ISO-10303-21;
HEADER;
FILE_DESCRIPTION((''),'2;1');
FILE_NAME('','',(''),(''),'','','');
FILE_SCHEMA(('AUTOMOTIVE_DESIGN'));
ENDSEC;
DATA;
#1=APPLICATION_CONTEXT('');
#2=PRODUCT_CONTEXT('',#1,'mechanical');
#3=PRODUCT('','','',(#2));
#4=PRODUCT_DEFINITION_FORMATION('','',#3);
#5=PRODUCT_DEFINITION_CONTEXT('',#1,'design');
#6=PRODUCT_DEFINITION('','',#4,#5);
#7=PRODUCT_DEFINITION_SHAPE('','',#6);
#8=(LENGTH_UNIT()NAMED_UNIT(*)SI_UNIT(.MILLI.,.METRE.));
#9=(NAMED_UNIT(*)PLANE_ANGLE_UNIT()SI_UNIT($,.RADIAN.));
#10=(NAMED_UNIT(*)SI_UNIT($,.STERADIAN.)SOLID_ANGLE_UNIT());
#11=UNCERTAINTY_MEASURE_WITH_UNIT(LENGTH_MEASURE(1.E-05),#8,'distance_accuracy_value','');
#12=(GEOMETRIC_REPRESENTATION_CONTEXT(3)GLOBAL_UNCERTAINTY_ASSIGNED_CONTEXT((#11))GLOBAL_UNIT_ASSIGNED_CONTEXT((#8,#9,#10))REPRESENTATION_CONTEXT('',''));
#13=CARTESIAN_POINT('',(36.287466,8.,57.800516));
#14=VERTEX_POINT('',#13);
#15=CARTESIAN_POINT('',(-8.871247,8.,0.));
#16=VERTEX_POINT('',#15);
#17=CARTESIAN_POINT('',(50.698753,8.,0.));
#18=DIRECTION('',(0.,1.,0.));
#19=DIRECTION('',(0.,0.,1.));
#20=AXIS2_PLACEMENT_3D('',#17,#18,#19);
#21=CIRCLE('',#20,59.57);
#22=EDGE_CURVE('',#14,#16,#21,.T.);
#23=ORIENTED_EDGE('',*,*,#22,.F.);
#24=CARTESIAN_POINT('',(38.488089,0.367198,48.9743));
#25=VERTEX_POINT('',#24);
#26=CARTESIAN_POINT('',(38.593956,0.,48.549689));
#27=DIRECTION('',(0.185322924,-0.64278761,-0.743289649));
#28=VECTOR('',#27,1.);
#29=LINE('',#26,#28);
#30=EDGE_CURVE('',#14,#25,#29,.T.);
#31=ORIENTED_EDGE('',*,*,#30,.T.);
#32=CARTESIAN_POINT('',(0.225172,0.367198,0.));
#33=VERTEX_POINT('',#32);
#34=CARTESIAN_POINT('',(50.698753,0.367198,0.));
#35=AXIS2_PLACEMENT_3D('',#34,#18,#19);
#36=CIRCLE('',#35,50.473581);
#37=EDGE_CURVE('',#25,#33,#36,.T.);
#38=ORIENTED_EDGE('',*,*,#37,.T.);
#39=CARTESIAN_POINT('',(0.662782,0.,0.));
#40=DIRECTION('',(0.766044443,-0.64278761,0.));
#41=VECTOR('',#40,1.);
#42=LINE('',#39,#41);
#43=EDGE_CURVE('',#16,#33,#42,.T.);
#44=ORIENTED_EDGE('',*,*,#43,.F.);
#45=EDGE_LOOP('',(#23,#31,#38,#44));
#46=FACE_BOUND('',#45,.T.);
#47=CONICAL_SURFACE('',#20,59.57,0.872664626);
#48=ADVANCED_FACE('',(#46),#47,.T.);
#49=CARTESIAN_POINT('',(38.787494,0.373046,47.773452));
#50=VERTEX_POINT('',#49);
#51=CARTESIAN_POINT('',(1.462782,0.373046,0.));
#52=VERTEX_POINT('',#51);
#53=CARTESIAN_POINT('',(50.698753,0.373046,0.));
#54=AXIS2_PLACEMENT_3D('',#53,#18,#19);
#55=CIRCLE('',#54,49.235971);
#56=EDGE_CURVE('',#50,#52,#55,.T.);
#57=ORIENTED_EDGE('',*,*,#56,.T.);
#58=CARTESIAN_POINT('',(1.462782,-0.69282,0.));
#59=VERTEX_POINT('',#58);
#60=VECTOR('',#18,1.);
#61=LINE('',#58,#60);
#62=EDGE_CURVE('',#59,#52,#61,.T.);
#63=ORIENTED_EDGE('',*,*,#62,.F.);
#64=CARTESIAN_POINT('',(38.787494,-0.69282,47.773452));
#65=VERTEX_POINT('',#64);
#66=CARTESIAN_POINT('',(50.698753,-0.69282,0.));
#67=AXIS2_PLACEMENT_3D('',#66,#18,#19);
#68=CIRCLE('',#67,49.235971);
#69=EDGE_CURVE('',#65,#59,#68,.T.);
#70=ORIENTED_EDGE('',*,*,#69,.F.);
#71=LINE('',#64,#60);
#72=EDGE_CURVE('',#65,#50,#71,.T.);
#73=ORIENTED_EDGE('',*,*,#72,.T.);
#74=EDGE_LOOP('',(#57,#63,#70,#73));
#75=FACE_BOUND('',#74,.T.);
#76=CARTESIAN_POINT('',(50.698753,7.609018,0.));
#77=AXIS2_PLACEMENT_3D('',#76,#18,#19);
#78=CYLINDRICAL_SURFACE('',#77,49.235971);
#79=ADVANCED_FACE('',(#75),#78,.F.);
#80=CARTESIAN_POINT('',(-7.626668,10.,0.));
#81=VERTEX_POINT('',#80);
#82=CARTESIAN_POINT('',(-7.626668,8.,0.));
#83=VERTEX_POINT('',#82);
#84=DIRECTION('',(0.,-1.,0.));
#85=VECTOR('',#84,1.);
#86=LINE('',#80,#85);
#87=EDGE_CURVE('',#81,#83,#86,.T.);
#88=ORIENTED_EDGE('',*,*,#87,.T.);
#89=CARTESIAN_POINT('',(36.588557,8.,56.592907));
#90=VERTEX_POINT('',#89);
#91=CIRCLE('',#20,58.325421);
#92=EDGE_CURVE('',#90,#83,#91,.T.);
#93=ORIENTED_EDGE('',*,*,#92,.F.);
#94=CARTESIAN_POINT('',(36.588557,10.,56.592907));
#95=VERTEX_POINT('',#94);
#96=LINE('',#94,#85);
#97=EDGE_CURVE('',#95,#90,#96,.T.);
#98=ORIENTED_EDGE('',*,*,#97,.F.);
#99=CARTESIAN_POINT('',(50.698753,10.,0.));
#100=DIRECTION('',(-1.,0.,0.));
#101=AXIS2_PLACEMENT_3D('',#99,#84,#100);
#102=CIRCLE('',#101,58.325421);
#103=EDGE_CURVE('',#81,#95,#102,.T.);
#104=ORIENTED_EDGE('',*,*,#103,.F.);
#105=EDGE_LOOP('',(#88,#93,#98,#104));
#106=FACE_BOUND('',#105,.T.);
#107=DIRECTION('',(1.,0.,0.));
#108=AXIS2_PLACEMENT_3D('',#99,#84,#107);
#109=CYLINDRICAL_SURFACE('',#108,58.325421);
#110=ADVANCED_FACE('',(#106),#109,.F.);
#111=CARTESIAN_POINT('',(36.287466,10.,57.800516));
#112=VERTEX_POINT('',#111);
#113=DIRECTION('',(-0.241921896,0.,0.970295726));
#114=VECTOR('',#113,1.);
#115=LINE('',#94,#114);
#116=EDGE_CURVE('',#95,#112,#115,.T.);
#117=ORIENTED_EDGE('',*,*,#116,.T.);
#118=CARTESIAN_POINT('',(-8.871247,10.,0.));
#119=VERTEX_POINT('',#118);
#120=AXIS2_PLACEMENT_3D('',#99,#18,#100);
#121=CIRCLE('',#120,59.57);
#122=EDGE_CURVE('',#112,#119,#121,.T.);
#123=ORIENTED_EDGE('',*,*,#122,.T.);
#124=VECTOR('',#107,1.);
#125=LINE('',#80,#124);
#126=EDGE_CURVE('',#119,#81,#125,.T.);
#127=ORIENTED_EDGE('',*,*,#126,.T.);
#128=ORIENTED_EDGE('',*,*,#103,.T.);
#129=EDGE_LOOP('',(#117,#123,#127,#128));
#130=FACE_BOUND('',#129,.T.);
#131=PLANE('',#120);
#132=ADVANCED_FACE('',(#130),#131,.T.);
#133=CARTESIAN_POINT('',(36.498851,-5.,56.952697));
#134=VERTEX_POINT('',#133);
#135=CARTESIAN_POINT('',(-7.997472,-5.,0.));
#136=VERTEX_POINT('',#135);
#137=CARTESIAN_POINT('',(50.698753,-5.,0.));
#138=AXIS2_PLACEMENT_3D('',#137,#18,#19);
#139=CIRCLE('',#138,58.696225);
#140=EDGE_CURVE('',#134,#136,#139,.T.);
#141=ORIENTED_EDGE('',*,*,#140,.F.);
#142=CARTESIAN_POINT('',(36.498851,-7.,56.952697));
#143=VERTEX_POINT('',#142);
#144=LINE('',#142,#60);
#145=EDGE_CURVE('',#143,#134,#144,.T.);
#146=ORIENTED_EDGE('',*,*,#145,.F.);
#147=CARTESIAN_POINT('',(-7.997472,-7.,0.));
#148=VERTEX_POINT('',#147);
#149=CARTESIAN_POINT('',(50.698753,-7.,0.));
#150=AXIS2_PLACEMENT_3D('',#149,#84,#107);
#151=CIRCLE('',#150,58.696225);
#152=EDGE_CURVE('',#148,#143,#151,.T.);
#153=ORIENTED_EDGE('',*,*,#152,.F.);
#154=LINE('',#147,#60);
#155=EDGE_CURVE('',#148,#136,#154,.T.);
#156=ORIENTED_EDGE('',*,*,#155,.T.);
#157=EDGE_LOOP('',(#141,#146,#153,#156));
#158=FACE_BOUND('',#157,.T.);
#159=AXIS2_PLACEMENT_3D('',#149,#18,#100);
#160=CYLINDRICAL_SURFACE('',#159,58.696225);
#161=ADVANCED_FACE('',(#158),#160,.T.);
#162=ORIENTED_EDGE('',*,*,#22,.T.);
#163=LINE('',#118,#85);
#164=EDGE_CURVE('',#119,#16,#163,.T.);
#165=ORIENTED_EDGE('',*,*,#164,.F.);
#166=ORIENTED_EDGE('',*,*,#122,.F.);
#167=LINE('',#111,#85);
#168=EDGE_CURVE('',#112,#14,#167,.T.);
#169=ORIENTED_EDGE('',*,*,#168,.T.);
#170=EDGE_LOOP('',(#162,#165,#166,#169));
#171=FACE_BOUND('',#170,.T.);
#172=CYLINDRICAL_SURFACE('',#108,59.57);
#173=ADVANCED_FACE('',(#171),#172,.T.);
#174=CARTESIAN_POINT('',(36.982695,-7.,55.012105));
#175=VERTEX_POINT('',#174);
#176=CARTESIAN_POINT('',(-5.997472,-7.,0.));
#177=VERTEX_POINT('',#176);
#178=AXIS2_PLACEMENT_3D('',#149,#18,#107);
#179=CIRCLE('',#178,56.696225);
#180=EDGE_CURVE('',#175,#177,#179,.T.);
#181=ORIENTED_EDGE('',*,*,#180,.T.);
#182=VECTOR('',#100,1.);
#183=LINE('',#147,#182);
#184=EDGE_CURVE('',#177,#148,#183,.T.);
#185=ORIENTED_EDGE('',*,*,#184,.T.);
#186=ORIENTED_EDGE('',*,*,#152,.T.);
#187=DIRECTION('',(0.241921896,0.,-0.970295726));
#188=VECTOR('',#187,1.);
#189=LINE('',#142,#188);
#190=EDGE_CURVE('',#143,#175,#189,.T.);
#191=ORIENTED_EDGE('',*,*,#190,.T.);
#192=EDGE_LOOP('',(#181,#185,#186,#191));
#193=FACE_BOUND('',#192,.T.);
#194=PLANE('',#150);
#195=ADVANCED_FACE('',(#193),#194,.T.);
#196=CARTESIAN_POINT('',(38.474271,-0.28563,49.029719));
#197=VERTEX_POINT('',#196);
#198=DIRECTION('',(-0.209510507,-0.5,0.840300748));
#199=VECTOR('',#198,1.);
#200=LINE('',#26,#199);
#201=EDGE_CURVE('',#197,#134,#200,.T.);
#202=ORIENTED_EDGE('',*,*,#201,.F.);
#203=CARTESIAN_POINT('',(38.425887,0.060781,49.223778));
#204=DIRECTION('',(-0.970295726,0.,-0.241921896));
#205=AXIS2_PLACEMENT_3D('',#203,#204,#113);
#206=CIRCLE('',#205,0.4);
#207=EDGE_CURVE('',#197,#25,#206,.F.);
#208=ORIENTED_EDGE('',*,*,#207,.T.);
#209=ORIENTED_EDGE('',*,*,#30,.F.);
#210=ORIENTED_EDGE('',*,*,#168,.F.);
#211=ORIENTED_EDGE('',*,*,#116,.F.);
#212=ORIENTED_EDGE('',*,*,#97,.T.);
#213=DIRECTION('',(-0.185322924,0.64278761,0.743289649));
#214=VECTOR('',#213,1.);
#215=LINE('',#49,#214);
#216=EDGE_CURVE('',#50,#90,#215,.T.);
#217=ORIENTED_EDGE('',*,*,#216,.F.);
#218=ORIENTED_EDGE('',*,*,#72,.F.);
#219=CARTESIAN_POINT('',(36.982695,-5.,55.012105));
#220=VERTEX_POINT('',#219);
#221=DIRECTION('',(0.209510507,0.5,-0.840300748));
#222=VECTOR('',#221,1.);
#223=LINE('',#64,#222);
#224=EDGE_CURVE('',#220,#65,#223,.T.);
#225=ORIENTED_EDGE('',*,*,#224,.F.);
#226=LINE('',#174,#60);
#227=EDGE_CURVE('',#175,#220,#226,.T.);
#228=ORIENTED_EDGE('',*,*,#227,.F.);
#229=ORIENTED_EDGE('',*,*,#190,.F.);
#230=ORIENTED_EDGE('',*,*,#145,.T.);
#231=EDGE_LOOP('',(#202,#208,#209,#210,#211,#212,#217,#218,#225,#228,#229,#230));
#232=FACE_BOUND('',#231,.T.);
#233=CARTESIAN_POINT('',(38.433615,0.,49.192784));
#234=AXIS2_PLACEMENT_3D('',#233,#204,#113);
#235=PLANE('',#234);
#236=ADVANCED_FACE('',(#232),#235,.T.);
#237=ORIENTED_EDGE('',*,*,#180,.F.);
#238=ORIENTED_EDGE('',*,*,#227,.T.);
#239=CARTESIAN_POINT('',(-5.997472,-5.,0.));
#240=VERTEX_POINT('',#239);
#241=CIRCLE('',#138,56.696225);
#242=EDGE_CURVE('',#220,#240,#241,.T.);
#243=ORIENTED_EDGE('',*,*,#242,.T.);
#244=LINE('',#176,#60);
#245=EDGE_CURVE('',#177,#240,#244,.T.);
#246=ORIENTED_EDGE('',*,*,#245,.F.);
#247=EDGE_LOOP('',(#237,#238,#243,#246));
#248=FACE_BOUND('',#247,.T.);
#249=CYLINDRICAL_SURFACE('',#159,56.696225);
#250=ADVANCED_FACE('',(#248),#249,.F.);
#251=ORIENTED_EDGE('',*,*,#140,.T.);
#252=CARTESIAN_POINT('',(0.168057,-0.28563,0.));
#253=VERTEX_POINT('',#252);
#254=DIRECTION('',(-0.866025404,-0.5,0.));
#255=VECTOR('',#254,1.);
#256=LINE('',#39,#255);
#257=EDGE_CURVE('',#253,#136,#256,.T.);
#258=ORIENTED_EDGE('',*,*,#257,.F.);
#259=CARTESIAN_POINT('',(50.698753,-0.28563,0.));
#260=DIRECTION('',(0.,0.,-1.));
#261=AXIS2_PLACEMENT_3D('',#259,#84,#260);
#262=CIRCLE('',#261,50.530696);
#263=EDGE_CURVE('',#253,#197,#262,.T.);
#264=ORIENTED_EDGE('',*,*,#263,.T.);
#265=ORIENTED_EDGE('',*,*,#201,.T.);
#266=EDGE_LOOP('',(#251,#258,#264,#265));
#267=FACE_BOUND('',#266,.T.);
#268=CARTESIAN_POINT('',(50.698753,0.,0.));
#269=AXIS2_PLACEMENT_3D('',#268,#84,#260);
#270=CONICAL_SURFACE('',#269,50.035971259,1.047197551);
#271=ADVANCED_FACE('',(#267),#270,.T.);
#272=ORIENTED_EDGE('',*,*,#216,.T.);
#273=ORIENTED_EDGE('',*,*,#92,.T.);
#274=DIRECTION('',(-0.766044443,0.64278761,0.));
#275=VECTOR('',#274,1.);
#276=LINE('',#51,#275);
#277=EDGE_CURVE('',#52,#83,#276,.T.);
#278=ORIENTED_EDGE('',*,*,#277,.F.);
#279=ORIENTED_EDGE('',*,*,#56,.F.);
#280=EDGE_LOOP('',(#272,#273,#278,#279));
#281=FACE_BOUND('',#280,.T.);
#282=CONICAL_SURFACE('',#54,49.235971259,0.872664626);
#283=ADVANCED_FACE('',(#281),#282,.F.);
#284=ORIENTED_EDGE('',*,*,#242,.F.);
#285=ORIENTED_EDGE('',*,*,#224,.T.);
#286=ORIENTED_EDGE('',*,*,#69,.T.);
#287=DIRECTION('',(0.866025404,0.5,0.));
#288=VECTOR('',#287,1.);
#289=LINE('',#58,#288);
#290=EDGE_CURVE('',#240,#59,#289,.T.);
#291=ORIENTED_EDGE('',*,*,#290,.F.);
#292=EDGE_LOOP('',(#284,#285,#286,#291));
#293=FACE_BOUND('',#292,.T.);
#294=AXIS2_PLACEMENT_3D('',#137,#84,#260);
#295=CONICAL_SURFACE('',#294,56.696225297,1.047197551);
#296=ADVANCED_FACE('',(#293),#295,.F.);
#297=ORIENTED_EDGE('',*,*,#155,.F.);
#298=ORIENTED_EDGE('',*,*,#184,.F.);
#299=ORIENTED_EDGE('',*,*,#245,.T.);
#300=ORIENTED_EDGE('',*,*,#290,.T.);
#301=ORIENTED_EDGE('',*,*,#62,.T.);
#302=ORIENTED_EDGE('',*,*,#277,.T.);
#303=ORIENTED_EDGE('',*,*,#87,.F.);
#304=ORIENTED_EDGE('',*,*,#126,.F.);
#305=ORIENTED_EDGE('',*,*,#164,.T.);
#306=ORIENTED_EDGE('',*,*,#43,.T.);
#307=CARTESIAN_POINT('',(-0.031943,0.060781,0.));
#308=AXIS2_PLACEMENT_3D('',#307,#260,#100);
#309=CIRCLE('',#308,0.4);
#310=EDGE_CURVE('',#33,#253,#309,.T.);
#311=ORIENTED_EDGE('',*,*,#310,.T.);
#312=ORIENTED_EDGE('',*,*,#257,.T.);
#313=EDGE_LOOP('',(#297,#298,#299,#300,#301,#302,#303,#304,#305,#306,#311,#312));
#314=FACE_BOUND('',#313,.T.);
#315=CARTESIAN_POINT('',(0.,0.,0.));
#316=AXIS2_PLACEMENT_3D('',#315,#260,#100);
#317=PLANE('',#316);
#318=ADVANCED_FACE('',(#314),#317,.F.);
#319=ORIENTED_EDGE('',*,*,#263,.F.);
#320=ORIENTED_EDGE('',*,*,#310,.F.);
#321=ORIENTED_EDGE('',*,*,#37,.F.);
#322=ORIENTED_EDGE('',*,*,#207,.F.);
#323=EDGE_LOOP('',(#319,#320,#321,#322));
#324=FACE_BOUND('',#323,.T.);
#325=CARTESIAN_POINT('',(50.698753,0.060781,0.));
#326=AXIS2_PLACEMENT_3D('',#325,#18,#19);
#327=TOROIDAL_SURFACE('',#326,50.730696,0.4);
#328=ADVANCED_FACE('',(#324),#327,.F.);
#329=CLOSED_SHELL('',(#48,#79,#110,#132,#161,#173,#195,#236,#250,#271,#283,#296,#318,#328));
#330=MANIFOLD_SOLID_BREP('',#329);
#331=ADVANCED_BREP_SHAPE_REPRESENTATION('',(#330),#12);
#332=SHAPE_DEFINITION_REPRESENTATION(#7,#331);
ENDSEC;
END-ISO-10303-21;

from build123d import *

# Parameters (mm, degrees)
REVOLVE1_ANGLE      = 284
FILLET2_R           = 0.4
BOSS_EXTRUDE1_DEPTH = 2
BOSS_EXTRUDE2_DEPTH = 2


with BuildPart() as part:
    # Sketch1 → Revolve1 (revolve)
    with BuildSketch(Plane.XY):
        Polygon((0.662781953, 0), (-8.871246788, 8), (-7.626667727, 8), (1.462781953, 0.373046127), (1.462781953, -0.692820323), (-5.997472085, -5), (-7.997472085, -5), align=None)
    revolve(axis=Axis((50.698753212, 7.609018033, 0), (0, -1, 0)), revolution_arc=REVOLVE1_ANGLE)

    # Fillet2
    fillet2_edges = [part.edges().sort_by_distance(p)[0] for p in [
        (90.127636631, 0, -30.805219885),
    ]]
    fillet(fillet2_edges, radius=FILLET2_R)

    # Sketch2 → Boss-Extrude1 (add)
    with BuildSketch(Plane(origin=(0, 8, 0), x_dir=(1, 0, 0), z_dir=(0, 1, 0))):
        with BuildLine():
            Line((36.588556817, -56.59290667), (36.287465891, -57.800516414))
            ThreePointArc((36.287465891, -57.800516414), (97.640553804, 36.674954085), (-8.871246788, 0))
            Line((-8.871246788, 0), (-7.626667727, 0))
            ThreePointArc((-7.626667727, 0), (96.65981212, 35.908714704), (36.588556817, -56.59290667))
        make_face()
    extrude(amount=BOSS_EXTRUDE1_DEPTH)

    # Sketch3 → Boss-Extrude2 (add)
    with BuildSketch(Plane.XZ.offset(5)):
        with BuildLine():
            Line((36.498851123, 56.952696554), (36.982694915, 55.012105102))
            ThreePointArc((36.982694915, 55.012105102), (95.375988435, -34.905681712), (-5.997472085, 0))
            Line((-5.997472085, 0), (-7.997472085, 0))
            ThreePointArc((-7.997472085, 0), (96.952009942, -36.137004662), (36.498851123, 56.952696554))
        make_face()
    extrude(amount=BOSS_EXTRUDE2_DEPTH)


solid = part.part
